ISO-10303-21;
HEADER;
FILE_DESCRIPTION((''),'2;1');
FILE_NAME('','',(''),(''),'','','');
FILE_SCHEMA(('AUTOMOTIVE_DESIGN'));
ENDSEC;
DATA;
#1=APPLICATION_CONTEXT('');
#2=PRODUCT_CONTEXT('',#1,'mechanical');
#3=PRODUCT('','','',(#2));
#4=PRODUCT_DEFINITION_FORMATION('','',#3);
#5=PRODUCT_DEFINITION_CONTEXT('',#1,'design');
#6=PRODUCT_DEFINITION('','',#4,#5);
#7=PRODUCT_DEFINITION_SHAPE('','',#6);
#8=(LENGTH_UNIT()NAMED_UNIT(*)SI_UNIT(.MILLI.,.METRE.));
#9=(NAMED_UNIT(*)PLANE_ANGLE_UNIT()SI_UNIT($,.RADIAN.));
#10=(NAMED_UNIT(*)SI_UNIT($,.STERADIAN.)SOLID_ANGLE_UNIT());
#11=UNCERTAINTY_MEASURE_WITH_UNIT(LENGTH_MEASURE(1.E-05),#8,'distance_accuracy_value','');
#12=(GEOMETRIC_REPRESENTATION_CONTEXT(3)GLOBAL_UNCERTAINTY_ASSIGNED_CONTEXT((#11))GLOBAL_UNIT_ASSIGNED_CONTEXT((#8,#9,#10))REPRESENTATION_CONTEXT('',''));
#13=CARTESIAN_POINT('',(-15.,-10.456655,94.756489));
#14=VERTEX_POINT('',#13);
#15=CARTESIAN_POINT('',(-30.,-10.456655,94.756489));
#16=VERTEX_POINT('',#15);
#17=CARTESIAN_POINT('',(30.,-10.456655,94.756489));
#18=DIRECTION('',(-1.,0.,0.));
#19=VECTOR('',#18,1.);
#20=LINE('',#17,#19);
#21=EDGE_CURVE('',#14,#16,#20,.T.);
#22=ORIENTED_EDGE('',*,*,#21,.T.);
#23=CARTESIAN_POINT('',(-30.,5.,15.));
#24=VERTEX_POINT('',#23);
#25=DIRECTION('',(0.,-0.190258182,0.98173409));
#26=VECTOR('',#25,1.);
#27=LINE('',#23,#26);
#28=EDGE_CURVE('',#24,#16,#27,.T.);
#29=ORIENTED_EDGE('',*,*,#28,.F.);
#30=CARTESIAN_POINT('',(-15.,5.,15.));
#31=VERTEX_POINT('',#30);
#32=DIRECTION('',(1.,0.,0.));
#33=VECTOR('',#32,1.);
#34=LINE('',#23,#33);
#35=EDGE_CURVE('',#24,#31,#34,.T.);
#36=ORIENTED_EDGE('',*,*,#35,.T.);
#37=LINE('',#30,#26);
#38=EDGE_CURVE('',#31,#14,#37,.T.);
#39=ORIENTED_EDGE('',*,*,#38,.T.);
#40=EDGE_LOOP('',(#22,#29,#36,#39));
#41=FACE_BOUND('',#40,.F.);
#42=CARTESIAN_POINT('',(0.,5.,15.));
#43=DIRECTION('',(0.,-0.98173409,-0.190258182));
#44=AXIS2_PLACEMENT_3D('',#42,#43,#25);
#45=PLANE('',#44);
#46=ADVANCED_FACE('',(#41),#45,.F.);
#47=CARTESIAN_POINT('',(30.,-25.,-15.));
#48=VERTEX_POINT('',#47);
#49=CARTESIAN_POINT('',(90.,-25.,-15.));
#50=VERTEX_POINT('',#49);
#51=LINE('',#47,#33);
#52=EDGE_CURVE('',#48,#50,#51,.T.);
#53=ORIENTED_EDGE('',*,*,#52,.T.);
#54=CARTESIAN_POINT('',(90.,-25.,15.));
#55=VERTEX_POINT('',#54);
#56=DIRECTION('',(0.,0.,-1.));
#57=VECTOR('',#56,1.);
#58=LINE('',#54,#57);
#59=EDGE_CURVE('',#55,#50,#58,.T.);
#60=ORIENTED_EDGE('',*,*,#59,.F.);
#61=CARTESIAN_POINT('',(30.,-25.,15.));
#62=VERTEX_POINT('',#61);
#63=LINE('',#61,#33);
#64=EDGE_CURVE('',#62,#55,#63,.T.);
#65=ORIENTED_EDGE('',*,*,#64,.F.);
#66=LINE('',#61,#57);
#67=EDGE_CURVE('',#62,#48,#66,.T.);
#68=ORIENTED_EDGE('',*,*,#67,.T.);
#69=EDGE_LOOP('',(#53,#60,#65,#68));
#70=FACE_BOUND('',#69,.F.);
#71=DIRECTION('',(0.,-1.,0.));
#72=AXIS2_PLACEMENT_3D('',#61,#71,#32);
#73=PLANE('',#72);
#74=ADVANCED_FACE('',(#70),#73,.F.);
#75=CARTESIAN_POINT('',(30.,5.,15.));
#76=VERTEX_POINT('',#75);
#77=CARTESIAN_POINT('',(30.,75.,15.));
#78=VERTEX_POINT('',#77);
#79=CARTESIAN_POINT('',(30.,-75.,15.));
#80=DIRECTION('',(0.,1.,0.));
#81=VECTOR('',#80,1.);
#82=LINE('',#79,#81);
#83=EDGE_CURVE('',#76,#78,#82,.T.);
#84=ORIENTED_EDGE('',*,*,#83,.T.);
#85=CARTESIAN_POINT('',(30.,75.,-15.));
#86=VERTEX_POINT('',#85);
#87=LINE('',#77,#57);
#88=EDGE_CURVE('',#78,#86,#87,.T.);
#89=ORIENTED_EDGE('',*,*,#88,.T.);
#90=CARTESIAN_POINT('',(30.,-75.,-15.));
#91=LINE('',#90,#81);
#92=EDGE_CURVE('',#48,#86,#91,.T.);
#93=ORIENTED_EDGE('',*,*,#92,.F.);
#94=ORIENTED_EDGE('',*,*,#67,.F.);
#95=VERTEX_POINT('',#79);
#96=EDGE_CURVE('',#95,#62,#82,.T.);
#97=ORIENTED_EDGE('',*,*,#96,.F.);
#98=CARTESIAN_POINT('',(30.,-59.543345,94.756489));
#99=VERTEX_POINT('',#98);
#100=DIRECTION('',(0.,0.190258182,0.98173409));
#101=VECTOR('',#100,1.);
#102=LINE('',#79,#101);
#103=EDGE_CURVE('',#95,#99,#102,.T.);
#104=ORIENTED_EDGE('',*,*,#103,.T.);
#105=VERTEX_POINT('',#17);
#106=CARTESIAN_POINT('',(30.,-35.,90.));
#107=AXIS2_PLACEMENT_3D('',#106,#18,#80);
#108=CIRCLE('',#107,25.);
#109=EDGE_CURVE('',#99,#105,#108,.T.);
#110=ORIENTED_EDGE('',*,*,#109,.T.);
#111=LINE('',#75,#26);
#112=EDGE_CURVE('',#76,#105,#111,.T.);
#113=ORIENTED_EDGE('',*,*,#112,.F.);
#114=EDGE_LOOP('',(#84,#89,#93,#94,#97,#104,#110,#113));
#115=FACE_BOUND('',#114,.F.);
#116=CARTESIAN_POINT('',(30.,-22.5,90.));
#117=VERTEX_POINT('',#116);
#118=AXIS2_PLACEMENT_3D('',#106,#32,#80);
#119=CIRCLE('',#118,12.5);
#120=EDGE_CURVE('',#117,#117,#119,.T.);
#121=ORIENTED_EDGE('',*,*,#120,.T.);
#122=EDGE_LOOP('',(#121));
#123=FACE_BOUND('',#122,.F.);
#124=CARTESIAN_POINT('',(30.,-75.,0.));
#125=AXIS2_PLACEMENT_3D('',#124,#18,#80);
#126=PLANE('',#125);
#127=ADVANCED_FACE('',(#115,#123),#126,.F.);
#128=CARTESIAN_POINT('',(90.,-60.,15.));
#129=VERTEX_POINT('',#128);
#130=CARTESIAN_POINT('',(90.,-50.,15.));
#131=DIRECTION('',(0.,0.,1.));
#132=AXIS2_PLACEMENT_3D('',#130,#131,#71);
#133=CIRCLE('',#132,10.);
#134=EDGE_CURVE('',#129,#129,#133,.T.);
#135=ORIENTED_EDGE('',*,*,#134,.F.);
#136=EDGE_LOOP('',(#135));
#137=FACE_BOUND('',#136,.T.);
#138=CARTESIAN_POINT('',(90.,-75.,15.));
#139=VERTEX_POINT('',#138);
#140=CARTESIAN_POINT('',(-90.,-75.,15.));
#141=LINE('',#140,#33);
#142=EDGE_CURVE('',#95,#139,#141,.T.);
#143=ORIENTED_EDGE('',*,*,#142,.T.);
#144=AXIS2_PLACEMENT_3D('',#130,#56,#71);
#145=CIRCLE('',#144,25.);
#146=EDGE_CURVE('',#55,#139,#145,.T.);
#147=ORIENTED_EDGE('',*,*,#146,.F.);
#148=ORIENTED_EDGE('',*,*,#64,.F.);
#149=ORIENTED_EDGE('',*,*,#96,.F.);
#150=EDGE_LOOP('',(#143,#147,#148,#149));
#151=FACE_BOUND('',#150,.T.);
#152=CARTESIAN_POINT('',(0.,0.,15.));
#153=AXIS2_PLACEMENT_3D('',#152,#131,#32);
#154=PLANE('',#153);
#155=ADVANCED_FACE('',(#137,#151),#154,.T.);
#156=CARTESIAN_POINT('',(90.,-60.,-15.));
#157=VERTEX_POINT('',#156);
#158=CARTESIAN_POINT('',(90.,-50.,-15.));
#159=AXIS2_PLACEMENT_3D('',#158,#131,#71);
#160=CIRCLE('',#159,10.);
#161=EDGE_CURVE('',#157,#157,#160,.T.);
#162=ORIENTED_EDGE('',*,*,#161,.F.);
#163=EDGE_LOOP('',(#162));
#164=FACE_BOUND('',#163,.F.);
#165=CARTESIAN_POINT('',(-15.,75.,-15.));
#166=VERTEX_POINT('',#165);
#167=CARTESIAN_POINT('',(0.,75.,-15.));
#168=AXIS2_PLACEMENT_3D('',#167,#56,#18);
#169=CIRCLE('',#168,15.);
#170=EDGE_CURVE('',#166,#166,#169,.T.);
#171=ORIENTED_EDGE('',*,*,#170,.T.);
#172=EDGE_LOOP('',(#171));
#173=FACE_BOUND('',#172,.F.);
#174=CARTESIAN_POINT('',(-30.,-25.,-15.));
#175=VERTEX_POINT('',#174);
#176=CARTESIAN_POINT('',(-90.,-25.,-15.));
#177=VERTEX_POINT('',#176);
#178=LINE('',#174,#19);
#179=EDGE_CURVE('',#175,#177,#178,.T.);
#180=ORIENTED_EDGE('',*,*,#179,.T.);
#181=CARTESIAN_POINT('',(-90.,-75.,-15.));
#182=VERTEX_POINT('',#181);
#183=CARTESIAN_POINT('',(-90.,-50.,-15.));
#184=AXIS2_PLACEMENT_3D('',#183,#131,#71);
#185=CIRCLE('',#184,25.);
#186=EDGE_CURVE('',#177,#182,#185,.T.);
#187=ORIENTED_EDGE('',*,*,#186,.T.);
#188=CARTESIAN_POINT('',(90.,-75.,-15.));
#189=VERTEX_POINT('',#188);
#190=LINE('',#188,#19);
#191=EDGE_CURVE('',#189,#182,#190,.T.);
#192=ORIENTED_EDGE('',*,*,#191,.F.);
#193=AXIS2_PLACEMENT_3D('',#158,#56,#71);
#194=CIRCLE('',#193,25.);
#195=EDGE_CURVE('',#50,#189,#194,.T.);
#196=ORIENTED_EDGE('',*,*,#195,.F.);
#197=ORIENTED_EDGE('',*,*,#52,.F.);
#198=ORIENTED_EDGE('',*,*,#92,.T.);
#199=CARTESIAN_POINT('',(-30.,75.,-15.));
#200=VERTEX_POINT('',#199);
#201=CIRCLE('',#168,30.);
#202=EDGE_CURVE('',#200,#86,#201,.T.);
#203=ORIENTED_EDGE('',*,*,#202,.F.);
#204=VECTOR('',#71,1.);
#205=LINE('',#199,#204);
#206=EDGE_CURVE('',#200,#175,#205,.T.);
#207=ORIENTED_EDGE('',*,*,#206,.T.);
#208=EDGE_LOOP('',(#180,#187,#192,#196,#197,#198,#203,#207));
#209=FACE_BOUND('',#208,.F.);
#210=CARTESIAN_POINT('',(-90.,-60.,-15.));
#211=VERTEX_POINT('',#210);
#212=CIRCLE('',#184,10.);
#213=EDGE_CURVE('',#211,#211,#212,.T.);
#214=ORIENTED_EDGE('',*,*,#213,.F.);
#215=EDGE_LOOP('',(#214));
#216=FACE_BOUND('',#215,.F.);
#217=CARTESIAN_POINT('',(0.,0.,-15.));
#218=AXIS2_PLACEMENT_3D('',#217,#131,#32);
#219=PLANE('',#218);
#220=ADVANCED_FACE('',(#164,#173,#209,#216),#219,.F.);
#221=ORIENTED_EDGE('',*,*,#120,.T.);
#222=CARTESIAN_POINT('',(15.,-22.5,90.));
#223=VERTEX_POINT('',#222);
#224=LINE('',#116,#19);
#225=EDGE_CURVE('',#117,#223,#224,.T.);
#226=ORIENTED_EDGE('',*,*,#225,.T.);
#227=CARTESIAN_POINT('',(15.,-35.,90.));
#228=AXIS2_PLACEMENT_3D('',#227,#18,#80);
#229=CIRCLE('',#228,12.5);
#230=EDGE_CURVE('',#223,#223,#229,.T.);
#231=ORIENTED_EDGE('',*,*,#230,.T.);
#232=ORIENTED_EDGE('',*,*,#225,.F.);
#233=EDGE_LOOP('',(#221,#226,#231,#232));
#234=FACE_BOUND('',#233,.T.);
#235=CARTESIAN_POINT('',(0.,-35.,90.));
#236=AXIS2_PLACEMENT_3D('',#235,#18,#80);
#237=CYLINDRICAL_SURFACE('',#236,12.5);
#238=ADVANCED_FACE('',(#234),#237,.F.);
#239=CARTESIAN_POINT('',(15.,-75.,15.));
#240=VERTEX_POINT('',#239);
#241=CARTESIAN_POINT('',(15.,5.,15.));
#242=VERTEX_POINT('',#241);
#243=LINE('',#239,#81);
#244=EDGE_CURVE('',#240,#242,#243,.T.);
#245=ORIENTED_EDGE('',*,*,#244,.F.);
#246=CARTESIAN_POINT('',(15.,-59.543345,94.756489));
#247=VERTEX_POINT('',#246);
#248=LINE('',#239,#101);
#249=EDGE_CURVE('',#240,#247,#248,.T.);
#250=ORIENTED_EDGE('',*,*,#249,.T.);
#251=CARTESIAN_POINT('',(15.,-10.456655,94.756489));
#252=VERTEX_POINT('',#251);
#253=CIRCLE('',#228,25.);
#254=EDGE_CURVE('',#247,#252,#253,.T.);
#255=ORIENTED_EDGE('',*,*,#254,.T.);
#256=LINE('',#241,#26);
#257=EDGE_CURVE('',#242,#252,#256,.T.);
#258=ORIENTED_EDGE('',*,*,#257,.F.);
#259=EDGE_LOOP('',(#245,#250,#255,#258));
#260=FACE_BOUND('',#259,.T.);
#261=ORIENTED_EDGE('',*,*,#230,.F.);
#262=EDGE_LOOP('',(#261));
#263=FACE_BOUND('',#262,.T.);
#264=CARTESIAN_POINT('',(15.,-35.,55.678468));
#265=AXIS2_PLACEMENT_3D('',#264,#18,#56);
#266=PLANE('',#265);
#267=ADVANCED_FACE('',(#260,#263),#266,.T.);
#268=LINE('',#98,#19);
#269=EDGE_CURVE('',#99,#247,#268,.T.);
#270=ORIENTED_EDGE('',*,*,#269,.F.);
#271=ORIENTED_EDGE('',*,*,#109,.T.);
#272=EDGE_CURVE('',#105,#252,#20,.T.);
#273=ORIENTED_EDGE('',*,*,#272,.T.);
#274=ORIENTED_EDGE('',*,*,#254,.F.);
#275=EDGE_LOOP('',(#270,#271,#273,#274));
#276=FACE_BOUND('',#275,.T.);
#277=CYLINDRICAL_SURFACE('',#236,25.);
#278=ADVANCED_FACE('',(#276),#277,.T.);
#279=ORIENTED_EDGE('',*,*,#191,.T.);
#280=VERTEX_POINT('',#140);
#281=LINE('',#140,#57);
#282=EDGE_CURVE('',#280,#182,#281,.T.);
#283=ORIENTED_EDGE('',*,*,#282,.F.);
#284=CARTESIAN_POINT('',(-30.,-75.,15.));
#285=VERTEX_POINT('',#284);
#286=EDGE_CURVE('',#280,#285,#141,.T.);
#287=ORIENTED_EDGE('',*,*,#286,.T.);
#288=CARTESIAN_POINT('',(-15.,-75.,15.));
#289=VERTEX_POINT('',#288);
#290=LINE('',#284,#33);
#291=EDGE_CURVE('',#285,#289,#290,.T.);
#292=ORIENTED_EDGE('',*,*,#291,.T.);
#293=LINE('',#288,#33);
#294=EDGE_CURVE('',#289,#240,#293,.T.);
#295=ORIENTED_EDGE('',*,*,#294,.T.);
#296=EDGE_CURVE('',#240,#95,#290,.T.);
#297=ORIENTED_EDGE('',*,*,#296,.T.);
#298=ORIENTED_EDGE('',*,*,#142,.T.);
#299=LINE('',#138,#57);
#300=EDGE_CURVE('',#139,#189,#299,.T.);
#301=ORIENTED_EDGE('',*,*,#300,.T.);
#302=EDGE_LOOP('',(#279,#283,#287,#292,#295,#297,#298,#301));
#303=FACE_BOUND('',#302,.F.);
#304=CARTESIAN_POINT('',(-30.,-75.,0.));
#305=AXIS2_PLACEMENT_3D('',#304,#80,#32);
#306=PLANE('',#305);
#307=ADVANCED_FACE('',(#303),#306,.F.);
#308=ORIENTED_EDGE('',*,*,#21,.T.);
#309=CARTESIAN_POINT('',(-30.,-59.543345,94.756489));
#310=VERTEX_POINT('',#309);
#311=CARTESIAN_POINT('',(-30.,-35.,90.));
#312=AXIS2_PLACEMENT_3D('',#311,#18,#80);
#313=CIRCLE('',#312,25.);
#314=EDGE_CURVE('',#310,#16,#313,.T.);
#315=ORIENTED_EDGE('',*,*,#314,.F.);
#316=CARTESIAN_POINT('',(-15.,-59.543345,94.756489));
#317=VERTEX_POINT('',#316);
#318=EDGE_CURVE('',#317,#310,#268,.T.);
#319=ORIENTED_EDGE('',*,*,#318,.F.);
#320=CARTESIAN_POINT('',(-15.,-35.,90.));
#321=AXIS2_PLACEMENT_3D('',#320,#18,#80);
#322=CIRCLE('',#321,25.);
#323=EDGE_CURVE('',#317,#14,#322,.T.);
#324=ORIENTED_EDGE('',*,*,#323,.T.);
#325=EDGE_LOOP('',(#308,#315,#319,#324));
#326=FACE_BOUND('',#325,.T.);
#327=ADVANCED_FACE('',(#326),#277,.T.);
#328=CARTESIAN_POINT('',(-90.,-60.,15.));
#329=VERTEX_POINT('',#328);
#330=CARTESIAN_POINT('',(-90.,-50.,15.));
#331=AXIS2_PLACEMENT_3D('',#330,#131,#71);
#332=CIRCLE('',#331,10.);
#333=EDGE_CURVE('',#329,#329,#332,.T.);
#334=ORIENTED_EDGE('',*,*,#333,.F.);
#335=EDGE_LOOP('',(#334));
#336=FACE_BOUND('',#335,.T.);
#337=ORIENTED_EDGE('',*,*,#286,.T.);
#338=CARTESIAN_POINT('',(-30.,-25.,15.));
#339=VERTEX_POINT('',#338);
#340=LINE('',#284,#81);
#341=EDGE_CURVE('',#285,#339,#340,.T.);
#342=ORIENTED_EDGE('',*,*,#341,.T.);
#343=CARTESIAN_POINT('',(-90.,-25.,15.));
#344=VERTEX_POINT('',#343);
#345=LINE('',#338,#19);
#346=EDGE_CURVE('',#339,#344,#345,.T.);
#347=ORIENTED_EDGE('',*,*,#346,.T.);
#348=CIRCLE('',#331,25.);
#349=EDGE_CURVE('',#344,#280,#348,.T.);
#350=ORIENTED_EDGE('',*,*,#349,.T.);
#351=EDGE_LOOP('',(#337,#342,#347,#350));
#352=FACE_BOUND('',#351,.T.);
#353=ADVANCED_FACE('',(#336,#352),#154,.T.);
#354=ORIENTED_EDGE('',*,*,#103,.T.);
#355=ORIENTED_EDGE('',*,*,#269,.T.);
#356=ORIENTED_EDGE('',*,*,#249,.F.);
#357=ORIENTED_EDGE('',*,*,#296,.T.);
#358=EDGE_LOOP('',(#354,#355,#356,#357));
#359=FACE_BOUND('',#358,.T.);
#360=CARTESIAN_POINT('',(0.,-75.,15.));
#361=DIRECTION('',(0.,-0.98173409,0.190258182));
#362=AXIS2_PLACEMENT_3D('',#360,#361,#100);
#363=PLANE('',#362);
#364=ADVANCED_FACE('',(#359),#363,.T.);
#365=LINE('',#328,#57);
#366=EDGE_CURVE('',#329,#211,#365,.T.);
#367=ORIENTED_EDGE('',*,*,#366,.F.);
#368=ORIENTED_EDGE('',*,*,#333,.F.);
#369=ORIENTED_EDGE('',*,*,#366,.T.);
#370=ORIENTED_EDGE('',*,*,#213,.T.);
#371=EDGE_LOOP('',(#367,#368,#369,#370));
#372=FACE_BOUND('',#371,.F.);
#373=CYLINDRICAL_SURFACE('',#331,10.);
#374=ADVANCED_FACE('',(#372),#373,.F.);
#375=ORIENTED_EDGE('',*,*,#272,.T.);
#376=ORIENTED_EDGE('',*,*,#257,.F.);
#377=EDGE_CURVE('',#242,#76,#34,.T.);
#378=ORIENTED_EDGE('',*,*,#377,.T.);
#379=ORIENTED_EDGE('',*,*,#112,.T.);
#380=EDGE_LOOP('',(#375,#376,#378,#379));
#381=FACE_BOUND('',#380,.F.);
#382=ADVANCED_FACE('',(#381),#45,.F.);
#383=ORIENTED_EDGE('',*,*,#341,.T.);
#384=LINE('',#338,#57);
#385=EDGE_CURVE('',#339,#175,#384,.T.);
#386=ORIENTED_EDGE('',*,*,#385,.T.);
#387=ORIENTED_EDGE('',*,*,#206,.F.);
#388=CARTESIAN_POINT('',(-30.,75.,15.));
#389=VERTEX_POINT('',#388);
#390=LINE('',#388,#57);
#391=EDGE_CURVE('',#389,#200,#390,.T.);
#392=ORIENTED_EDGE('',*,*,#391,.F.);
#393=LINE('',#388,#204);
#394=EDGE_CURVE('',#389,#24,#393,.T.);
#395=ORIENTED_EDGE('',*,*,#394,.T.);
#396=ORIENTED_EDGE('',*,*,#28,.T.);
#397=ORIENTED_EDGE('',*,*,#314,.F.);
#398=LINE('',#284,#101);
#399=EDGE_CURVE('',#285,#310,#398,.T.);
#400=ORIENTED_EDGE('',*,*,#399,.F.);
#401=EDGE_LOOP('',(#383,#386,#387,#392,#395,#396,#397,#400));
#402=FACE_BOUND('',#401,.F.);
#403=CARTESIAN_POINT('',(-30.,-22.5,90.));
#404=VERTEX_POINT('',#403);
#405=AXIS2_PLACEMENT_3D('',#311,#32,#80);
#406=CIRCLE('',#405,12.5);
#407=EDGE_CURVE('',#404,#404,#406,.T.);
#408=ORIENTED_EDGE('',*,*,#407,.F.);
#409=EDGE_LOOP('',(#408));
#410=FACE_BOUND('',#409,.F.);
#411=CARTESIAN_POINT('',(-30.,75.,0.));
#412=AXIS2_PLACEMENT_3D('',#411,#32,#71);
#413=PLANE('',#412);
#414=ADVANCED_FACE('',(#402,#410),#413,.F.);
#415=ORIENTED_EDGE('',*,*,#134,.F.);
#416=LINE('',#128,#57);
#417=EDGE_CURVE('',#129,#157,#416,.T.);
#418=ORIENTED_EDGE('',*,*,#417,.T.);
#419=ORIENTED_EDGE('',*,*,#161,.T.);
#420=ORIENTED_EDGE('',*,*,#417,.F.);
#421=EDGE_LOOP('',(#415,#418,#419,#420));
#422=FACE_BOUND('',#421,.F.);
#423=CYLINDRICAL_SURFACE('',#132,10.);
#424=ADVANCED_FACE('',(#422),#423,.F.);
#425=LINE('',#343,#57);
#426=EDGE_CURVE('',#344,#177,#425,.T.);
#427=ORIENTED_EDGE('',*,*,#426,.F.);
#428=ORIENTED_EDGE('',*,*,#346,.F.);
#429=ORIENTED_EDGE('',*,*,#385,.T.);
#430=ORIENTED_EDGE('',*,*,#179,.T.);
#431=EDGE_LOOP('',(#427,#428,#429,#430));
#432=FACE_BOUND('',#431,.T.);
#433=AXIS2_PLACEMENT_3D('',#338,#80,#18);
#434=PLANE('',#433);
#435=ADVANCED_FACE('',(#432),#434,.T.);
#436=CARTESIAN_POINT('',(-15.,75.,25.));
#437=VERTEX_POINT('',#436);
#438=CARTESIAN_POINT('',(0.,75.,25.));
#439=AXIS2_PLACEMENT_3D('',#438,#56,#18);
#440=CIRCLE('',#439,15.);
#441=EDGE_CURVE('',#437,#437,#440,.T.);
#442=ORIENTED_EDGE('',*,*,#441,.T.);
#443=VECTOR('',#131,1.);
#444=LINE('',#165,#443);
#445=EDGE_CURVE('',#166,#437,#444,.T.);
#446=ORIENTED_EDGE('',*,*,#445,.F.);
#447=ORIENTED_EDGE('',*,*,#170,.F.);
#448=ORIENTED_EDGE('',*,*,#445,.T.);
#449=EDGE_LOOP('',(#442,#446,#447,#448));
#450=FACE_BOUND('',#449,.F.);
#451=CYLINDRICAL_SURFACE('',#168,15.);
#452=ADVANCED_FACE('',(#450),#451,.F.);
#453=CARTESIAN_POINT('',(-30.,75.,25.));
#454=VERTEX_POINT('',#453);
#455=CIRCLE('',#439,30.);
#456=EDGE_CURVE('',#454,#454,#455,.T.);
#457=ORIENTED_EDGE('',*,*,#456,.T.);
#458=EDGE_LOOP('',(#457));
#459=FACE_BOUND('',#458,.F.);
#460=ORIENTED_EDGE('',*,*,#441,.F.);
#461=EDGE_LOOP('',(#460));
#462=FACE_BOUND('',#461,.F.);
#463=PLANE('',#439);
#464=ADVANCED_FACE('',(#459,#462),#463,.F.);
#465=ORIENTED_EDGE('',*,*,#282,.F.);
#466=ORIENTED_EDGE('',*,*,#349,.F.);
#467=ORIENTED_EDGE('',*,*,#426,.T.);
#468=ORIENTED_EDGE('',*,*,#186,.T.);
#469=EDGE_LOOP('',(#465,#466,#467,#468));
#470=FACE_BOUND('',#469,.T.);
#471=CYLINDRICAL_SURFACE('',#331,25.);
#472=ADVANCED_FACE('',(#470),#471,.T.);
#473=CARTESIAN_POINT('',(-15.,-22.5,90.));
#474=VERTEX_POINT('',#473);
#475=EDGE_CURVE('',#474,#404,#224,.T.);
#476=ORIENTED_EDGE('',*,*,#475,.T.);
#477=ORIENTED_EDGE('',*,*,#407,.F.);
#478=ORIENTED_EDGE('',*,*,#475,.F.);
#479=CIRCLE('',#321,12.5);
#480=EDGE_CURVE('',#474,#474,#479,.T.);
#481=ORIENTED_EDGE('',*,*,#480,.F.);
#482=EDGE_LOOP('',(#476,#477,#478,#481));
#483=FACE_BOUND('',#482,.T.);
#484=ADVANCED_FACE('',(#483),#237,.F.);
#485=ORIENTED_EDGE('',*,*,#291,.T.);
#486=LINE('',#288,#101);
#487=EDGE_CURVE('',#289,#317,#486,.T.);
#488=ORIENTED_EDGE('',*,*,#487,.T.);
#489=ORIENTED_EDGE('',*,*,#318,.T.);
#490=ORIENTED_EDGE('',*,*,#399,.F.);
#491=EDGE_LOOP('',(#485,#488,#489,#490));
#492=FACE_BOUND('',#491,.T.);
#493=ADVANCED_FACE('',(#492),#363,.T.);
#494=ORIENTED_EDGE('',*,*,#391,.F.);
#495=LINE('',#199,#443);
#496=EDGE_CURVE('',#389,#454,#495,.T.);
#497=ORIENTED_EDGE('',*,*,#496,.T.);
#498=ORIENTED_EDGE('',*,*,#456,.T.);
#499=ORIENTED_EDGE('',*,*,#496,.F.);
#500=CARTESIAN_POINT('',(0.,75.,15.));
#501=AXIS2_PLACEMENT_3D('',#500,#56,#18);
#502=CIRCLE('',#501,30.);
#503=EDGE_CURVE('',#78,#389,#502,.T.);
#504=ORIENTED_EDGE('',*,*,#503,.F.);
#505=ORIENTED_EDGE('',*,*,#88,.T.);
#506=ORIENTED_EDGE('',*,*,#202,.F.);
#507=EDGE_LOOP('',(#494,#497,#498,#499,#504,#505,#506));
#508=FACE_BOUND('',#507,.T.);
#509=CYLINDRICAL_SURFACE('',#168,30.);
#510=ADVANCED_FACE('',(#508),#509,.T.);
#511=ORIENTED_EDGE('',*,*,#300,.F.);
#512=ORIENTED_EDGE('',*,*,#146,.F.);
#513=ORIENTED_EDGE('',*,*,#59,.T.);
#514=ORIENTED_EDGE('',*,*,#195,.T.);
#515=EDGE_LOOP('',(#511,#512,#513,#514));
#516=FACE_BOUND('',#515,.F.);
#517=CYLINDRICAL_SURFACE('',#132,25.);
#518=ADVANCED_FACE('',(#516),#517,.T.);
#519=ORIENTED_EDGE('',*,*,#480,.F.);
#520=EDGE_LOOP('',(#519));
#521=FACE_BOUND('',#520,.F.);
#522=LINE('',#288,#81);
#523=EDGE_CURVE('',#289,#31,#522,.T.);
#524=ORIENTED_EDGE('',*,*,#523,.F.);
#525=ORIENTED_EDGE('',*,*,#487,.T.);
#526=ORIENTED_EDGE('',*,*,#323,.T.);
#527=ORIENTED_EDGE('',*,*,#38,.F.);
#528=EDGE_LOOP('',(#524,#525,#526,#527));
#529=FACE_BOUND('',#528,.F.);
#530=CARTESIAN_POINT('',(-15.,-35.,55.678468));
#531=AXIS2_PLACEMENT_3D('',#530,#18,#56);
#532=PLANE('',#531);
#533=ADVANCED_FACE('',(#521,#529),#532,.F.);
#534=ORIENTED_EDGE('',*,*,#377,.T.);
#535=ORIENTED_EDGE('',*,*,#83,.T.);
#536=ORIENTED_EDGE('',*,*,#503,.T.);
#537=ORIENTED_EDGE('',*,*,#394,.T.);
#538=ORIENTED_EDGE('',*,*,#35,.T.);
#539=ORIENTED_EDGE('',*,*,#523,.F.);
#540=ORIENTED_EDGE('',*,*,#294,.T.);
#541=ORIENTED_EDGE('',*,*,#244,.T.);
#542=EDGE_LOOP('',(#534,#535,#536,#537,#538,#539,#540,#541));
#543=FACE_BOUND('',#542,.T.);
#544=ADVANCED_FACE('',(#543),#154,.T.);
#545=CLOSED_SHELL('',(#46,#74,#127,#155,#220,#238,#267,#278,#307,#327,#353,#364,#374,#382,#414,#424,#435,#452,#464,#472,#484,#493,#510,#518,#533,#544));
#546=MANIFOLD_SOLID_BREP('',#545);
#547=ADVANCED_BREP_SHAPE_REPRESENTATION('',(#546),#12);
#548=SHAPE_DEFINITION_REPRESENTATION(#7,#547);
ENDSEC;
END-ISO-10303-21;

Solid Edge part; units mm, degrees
sketch "Sketch1" plane through (0, 0, 0) normal (0, 0, 1) x (1, 0, 0)
  line L0 (-30, 75) -> (-30, -75)
  line L1 (-30, -75) -> (30, -75)
  line L2 (30, -75) -> (30, 75)
  line L3 (30, 75) -> (-30, 75)
extrude "Protrusion1" add sketch "Sketch1" along normal mid plane 30
sketch "Sketch2" plane through (0, 0, -15) normal (0, 0, -1) x (-1, 0, 0)
  circle A0 centre (0, 75) radius 30
extrude "ExtrudedCutout_1" cut sketch "Sketch2" against normal blind 30
sketch "Sketch3" plane through (0, 0, -15) normal (0, 0, -1) x (-1, 0, 0)
  circle A0 centre (0, 75) radius 30
  circle A1 centre (0, 75) radius 15
extrude "ExtrudedProtrusion_2" add sketch "Sketch3" against normal blind 40
sketch "Sketch4" plane through (0, 0, 15) normal (0, 0, 1) x (0, -1, 0)
  line L0 (75, 90) -> (75, 30)
  line L1 (75, 30) -> (25, 30)
  line L2 (25, 30) -> (25, 90)
  arc A0 (25, 90) -> (75, 90) centre (50, 90) cw
  circle A1 centre (50, 90) radius 10
  line L3 (75, -90) -> (75, -30)
  line L4 (75, -30) -> (25, -30)
  line L5 (25, -30) -> (25, -90)
  arc A2 (25, -90) -> (75, -90) centre (50, -90) ccw
  circle A3 centre (50, -90) radius 10
extrude "ExtrudedProtrusion_5" add sketch "Sketch4" against normal blind 30
sketch "Sketch5" plane through (0, 0, 0) normal (1, 0, 0) x (0, 1, 0)
  line L0 (-75, 15) -> (-59.5434, 94.7565)
  line L1 (5, 15) -> (-10.4566, 94.7565)
  line L2 (-75, 15) -> (5, 15)
  arc A0 (-59.5433, 94.7565) -> (-10.4567, 94.7565) centre (-35, 90) cw
  circle A1 centre (-35, 90) radius 12.5
extrude "ExtrudedProtrusion_6" add sketch "Sketch5" along normal mid plane 60
sketch "Sketch6" plane through (0, 0, 0) normal (1, 0, 0) x (0, 1, 0)
  line L0 (-75, 15) -> (-59.5434, 94.7565)
  line L1 (5, 15) -> (-10.4566, 94.7565)
  line L2 (-75, 15) -> (5, 15)
  arc A0 (-59.5433, 94.7565) -> (-10.4567, 94.7565) centre (-35, 90) cw
extrude "ExtrudedCutout_2" cut sketch "Sketch6" along normal mid plane 30
